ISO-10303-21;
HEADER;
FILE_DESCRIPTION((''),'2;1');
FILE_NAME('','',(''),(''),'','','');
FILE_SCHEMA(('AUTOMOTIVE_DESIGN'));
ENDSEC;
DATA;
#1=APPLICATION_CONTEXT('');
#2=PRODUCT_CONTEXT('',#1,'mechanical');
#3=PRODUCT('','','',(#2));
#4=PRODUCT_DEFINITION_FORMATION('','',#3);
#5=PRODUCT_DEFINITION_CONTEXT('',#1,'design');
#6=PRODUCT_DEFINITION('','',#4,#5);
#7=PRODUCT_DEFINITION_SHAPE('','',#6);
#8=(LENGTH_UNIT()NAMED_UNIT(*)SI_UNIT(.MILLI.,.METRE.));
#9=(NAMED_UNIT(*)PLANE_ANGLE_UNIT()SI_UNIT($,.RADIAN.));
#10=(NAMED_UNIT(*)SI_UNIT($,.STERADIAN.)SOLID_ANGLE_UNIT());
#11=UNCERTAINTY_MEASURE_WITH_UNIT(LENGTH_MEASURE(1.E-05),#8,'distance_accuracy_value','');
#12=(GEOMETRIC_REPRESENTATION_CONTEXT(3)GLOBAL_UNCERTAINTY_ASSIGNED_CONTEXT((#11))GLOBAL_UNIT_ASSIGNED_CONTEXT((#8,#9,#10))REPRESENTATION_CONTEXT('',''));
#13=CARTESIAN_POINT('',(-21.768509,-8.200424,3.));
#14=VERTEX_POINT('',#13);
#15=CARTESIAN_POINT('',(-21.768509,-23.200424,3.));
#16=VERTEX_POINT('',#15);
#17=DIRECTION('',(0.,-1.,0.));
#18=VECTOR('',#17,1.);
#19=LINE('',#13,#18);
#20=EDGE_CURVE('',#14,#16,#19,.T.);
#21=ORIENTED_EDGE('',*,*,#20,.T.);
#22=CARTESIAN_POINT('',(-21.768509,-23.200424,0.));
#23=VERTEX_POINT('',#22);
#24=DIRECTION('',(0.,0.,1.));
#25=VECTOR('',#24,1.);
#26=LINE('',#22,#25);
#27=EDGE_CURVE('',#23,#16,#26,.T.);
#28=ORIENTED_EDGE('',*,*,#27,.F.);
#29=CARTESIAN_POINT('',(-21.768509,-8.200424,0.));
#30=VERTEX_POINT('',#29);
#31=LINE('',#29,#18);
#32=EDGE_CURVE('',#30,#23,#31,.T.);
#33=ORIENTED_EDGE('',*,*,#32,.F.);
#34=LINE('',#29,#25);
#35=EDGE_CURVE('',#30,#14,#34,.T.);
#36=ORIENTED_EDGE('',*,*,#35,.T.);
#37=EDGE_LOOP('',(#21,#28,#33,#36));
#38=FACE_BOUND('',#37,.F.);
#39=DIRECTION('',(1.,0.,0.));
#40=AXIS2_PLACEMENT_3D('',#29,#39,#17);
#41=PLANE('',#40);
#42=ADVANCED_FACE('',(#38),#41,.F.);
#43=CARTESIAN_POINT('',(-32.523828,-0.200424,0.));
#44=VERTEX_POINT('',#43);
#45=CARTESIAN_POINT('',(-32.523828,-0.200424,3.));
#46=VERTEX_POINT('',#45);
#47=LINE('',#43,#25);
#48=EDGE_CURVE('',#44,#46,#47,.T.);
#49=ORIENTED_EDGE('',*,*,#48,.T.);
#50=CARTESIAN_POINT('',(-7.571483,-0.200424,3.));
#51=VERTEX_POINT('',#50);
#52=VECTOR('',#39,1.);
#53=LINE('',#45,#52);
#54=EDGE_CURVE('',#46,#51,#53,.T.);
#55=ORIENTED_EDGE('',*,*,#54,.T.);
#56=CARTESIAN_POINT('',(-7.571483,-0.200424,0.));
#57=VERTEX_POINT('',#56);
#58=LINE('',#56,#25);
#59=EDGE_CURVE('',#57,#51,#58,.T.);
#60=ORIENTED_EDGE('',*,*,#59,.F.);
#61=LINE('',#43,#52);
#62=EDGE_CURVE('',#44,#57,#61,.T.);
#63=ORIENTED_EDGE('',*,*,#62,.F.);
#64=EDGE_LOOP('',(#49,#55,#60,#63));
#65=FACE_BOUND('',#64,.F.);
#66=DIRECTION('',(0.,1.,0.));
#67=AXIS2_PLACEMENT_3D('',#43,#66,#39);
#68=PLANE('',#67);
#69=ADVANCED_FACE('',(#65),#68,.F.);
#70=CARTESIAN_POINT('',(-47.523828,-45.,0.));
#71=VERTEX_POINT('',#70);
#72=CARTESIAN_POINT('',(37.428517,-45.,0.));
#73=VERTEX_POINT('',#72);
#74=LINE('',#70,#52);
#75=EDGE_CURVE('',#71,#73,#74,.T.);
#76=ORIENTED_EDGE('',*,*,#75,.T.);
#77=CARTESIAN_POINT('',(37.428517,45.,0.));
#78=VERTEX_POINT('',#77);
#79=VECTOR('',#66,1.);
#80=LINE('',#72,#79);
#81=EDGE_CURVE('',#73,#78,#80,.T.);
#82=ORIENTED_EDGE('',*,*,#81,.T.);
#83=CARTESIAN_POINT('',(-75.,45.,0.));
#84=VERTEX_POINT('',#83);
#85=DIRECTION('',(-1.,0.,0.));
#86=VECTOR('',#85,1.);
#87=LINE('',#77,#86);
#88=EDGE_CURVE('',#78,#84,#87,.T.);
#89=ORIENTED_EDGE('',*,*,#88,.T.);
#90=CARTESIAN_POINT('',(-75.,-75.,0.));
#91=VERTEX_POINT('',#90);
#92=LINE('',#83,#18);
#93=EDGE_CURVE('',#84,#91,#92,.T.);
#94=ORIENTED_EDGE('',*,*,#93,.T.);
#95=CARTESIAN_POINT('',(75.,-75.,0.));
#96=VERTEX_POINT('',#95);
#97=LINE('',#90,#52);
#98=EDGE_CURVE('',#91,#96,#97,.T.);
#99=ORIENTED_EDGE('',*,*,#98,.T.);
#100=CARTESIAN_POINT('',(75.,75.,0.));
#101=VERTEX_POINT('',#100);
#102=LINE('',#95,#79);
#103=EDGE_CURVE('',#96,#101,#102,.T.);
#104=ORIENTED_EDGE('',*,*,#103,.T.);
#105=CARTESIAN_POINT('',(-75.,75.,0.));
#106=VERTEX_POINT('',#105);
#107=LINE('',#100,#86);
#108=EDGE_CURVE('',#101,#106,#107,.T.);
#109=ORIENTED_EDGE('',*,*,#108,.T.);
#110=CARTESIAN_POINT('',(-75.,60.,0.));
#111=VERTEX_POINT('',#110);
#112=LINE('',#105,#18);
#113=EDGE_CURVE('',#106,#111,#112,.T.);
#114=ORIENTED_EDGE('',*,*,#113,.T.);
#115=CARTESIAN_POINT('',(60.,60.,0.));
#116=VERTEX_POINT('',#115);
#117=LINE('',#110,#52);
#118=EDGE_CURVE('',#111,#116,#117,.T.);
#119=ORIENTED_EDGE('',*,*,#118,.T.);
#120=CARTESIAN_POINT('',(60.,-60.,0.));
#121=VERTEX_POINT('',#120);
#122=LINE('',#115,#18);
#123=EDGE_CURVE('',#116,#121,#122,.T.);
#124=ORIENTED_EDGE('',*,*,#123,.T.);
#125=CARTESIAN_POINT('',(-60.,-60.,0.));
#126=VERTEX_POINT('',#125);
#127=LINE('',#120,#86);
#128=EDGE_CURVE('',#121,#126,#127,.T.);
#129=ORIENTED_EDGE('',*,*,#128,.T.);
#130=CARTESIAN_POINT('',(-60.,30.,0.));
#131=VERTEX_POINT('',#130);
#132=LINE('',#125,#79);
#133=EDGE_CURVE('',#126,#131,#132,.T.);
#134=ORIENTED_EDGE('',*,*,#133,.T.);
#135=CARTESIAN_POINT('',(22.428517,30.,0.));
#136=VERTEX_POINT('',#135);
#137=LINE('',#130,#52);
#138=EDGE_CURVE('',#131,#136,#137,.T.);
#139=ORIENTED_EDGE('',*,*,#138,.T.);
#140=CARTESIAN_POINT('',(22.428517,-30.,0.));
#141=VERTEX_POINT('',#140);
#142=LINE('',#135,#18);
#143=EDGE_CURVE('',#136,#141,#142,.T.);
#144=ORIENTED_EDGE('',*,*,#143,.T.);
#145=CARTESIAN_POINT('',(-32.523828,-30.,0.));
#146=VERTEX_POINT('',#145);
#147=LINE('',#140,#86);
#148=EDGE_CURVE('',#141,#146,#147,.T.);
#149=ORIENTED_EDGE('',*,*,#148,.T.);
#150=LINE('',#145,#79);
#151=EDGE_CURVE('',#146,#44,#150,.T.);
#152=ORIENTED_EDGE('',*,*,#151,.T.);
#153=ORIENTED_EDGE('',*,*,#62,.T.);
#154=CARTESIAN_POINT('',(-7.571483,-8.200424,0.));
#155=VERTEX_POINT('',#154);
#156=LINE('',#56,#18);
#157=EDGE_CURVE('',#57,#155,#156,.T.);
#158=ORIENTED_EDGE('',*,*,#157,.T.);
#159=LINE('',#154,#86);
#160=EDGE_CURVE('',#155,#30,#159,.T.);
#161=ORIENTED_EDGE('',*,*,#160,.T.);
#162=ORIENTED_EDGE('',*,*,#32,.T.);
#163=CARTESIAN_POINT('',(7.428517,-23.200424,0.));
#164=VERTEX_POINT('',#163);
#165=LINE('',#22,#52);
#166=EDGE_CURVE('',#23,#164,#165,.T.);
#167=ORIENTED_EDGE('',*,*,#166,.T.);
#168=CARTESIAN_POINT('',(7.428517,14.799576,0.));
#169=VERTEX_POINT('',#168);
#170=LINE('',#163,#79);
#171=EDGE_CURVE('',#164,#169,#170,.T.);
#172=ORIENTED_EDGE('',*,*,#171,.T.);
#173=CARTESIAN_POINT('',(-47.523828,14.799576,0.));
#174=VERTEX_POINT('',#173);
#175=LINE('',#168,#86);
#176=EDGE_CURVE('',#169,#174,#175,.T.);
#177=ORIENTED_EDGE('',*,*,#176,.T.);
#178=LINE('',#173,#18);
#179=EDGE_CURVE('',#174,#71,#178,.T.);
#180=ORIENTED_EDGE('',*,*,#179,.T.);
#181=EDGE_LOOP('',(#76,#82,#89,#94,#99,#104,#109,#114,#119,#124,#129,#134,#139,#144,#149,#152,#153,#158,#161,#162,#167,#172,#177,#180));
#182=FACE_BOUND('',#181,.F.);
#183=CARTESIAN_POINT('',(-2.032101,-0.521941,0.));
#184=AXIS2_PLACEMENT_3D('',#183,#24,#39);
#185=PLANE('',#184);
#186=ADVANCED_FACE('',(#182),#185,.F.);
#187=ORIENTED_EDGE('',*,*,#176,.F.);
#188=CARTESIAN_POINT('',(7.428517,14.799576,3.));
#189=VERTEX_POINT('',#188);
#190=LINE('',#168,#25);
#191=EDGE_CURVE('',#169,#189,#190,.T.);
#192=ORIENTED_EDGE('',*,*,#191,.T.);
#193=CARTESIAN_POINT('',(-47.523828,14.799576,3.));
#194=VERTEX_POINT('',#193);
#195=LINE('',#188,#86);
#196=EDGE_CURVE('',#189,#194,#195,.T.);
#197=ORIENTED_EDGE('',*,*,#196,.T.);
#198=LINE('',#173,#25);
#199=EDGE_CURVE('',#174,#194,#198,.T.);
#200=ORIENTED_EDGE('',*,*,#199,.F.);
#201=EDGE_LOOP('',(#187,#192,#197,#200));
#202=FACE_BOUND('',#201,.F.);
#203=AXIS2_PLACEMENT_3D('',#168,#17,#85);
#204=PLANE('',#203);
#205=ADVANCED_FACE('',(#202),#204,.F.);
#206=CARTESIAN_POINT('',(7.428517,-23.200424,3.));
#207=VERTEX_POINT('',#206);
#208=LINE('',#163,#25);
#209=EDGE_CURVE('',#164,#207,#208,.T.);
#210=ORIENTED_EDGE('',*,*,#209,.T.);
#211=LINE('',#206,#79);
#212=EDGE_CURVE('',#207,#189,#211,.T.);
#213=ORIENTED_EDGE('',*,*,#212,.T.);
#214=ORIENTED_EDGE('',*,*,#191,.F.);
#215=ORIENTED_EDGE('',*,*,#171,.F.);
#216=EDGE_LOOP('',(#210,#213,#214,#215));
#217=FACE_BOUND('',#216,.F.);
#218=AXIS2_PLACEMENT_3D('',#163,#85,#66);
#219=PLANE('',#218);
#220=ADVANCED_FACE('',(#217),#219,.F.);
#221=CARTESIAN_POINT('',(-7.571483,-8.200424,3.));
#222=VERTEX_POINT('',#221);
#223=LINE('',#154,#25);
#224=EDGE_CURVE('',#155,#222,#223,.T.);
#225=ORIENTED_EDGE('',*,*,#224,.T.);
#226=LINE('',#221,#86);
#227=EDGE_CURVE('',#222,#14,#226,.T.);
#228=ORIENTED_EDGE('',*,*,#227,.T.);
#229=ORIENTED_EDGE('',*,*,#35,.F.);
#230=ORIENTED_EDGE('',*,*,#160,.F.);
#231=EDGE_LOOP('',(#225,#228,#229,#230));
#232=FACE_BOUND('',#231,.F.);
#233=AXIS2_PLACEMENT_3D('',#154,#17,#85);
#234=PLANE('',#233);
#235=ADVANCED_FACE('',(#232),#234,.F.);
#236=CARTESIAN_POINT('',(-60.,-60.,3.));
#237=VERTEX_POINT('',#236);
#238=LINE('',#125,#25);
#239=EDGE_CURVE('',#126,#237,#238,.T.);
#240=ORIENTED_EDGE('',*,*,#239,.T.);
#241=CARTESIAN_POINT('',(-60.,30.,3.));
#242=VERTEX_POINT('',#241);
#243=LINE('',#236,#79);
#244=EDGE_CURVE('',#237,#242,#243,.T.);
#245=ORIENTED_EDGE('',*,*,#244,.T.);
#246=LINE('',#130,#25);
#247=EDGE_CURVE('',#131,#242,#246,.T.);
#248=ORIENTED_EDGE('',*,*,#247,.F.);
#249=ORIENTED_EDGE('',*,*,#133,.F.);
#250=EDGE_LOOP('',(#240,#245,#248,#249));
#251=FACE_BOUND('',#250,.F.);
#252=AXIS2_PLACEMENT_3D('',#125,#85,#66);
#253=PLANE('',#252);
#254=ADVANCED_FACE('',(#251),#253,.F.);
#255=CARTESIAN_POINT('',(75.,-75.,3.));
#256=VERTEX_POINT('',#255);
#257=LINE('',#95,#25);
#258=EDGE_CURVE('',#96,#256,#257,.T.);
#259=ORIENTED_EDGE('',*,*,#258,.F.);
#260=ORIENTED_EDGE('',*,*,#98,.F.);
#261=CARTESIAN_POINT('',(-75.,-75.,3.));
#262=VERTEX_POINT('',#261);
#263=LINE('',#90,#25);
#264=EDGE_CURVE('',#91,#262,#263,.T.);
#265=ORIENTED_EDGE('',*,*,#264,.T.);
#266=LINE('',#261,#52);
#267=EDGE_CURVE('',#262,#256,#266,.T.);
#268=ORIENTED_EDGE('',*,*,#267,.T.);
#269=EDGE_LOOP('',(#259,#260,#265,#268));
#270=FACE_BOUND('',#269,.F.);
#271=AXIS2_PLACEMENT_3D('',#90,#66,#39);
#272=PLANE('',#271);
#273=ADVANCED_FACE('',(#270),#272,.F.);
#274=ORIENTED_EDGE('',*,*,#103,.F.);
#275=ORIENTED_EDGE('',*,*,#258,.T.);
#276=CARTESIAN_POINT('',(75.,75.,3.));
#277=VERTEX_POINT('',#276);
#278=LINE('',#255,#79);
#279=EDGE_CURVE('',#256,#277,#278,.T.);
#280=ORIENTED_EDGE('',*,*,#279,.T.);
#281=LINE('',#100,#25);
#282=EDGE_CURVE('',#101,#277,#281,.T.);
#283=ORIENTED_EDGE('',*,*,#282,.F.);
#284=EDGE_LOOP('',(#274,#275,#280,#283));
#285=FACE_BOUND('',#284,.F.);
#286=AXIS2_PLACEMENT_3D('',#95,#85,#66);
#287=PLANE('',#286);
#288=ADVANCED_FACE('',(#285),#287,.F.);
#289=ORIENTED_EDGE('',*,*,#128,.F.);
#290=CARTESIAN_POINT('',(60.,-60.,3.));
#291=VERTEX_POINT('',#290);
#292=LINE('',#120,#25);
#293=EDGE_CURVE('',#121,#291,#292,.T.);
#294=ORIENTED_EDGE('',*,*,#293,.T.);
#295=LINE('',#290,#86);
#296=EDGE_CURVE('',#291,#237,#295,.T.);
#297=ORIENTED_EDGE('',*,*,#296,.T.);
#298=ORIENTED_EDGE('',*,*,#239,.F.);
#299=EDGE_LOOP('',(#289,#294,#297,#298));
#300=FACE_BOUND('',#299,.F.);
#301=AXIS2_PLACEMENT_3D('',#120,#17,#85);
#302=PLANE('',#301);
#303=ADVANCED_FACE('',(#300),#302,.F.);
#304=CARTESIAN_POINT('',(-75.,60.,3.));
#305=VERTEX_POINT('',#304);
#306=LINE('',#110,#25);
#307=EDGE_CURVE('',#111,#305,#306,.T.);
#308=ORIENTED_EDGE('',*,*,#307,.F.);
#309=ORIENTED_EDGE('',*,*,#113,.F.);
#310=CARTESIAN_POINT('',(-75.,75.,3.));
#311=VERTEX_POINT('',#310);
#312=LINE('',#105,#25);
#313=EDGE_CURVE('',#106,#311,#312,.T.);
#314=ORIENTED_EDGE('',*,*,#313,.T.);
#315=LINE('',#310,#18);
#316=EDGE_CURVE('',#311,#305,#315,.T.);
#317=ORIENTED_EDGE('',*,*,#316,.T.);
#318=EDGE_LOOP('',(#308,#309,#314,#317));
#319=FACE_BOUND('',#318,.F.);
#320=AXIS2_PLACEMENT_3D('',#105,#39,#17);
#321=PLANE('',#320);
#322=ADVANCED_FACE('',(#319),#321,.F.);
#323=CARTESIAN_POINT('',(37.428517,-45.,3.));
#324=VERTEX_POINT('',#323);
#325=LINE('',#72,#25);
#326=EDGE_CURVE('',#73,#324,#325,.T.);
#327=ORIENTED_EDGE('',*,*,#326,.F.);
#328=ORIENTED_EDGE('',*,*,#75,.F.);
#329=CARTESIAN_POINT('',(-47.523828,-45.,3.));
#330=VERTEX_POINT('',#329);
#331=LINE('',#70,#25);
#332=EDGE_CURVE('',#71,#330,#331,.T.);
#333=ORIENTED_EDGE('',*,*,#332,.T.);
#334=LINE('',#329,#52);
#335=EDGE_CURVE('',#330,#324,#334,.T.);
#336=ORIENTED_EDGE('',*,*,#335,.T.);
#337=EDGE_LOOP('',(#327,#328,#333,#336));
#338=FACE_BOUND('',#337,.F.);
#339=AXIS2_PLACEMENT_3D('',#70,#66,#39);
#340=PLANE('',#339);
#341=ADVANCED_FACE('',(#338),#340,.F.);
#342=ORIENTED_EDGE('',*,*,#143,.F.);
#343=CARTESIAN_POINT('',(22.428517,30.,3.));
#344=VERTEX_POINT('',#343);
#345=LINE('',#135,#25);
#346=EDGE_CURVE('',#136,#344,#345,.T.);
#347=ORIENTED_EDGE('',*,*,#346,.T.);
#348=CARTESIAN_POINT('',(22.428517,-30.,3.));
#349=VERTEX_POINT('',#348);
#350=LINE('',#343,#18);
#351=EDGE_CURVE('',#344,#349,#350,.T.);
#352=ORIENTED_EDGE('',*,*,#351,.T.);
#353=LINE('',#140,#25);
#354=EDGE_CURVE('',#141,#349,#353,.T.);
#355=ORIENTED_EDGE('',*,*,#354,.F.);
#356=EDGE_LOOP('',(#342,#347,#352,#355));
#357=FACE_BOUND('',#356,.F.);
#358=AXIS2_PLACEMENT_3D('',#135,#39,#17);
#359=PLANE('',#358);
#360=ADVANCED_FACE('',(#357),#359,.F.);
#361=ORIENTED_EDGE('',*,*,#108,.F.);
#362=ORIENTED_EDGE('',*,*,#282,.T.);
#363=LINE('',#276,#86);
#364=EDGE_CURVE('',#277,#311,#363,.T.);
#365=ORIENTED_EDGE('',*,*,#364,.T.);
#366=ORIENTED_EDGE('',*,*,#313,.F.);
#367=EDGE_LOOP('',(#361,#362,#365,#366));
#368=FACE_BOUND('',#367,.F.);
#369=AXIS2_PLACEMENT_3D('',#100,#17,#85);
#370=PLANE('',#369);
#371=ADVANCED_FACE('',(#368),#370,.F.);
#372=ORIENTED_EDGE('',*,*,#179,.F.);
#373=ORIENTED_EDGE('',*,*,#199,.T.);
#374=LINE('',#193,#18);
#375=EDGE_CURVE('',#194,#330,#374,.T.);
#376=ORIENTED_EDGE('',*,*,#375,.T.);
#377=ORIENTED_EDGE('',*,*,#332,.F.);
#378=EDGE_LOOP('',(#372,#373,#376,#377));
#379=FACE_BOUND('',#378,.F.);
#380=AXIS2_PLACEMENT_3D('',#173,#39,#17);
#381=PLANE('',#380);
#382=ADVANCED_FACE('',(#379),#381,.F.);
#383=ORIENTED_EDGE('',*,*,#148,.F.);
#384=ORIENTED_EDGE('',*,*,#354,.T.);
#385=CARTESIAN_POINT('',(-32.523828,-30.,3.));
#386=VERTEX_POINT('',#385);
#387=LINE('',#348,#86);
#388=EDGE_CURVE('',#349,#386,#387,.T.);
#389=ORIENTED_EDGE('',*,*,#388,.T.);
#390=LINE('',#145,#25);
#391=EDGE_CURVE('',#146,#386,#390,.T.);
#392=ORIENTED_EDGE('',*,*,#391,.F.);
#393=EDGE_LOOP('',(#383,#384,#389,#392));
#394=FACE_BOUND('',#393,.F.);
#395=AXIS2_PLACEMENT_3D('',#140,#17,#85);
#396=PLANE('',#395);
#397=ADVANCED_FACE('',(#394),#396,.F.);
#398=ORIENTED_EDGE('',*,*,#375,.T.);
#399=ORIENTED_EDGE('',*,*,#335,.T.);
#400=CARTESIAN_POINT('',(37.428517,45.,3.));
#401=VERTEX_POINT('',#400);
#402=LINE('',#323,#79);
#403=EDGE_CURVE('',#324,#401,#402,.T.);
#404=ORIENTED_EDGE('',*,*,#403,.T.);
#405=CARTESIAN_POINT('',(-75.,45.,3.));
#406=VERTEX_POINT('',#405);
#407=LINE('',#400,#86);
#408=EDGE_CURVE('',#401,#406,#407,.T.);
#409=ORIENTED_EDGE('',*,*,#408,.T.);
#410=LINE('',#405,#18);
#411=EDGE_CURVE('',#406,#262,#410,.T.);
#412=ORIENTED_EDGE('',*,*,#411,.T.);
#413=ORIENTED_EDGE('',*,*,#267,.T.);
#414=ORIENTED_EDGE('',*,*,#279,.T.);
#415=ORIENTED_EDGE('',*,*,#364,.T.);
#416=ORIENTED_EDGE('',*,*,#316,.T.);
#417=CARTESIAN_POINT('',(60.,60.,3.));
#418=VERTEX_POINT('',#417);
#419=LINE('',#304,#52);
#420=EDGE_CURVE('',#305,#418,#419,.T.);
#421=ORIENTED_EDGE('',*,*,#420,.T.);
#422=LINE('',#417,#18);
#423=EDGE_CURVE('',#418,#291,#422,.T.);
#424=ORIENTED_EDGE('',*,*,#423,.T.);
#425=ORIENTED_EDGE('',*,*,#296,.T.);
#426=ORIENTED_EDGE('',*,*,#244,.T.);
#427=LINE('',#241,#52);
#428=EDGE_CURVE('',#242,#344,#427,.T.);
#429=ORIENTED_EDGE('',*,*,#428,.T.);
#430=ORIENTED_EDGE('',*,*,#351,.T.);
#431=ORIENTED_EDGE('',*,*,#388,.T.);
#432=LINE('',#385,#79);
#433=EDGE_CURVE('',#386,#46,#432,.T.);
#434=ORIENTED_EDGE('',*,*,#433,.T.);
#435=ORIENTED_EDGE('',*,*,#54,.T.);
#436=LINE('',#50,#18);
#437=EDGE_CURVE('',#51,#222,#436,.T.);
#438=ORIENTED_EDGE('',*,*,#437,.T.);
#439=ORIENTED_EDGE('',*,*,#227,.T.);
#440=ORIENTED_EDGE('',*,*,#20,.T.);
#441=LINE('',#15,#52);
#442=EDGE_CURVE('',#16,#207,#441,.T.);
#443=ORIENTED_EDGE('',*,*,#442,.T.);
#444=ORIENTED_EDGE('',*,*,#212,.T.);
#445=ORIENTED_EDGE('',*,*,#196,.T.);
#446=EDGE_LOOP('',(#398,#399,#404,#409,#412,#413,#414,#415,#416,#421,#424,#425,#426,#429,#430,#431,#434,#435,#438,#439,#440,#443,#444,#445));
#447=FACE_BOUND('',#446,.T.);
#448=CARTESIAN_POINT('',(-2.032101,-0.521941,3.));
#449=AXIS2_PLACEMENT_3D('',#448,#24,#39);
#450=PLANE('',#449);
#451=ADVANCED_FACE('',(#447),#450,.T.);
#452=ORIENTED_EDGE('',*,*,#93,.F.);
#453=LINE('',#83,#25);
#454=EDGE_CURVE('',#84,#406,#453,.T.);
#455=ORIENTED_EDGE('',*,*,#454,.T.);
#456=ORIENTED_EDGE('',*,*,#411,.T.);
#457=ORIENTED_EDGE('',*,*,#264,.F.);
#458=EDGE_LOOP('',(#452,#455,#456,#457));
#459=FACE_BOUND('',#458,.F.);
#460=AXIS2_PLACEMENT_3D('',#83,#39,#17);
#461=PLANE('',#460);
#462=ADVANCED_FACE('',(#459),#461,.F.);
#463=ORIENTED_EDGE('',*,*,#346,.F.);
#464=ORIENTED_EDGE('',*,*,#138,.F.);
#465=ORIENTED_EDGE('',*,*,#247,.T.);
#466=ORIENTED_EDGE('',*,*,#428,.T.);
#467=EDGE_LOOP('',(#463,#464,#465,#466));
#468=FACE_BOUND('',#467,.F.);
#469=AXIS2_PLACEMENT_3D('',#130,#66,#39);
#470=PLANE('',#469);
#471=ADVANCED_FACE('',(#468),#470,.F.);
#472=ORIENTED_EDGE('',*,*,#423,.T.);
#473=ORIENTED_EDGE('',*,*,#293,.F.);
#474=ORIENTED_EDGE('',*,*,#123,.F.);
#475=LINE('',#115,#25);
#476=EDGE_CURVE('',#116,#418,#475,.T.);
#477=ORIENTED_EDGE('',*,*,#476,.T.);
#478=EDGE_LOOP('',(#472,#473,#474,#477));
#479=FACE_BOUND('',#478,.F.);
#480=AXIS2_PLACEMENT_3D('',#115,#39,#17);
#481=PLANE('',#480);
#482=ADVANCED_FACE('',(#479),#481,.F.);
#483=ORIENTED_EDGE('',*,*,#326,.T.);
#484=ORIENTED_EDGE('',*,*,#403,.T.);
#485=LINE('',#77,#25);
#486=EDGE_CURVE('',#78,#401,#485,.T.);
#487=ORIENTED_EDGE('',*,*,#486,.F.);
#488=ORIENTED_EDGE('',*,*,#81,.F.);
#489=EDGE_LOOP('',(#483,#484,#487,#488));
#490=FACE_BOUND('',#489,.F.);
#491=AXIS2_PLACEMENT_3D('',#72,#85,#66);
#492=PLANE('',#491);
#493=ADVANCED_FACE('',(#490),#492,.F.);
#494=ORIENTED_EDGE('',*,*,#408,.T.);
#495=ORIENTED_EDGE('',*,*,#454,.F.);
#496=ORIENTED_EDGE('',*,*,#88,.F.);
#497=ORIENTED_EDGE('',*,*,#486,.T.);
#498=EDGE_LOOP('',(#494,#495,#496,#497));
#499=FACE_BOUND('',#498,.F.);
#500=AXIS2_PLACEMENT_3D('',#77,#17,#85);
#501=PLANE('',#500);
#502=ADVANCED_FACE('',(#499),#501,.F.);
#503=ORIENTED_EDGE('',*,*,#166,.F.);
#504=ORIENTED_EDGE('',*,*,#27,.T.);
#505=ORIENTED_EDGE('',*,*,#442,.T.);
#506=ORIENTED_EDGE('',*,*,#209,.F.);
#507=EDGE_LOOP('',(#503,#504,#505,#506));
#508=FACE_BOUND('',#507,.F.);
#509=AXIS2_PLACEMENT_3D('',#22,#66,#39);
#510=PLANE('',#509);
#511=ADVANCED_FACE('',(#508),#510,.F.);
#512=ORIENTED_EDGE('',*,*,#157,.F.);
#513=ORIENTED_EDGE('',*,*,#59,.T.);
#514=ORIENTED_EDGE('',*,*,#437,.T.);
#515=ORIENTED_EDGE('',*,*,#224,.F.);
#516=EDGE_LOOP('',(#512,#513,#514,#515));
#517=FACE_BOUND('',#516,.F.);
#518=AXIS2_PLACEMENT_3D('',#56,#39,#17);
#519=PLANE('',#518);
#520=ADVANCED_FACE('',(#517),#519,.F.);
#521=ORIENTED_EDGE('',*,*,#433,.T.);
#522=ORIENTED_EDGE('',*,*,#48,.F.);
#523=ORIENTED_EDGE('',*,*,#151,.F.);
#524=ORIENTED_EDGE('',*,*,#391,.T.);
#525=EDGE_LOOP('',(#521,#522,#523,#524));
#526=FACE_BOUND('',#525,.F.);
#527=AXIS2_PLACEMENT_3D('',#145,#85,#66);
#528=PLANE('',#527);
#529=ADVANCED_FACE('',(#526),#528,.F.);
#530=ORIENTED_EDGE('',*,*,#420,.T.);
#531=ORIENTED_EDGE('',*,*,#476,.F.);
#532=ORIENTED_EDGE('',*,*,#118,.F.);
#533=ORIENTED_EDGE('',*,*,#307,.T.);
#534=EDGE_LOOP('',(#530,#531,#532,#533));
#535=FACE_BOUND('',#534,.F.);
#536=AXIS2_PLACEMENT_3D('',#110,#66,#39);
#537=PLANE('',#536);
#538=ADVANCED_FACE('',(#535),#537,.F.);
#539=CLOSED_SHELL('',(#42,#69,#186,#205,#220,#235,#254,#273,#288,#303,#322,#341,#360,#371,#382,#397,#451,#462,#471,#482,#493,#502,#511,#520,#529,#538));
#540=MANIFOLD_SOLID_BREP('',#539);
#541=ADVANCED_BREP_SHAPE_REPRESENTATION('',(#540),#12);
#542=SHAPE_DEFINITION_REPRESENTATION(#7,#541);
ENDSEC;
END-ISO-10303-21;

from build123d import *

# Parameters (mm, degrees)
F1_DEPTH = 3


with BuildPart() as f1:
    # F0 (on Top) → F1 (new body)
    with BuildSketch(Plane.XY):
        Polygon((75, 75), (-75, 75), (-75, 60), (60, 60), (60, -60), (-60, -60), (-60, 30), (22.428517, 30), (22.428517, -30), (-32.523828, -30), (-32.523828, -0.200424), (-7.571483, -0.200424), (-7.571483, -8.200424), (-21.768509, -8.200424), (-21.768509, -23.200424), (7.428517, -23.200424), (7.428517, 14.799576), (-47.523828, 14.799576), (-47.523828, -45), (37.428517, -45), (37.428517, 45), (-75, 45), (-75, -75), (75, -75), align=None)
    extrude(amount=F1_DEPTH)


solid = f1.part
